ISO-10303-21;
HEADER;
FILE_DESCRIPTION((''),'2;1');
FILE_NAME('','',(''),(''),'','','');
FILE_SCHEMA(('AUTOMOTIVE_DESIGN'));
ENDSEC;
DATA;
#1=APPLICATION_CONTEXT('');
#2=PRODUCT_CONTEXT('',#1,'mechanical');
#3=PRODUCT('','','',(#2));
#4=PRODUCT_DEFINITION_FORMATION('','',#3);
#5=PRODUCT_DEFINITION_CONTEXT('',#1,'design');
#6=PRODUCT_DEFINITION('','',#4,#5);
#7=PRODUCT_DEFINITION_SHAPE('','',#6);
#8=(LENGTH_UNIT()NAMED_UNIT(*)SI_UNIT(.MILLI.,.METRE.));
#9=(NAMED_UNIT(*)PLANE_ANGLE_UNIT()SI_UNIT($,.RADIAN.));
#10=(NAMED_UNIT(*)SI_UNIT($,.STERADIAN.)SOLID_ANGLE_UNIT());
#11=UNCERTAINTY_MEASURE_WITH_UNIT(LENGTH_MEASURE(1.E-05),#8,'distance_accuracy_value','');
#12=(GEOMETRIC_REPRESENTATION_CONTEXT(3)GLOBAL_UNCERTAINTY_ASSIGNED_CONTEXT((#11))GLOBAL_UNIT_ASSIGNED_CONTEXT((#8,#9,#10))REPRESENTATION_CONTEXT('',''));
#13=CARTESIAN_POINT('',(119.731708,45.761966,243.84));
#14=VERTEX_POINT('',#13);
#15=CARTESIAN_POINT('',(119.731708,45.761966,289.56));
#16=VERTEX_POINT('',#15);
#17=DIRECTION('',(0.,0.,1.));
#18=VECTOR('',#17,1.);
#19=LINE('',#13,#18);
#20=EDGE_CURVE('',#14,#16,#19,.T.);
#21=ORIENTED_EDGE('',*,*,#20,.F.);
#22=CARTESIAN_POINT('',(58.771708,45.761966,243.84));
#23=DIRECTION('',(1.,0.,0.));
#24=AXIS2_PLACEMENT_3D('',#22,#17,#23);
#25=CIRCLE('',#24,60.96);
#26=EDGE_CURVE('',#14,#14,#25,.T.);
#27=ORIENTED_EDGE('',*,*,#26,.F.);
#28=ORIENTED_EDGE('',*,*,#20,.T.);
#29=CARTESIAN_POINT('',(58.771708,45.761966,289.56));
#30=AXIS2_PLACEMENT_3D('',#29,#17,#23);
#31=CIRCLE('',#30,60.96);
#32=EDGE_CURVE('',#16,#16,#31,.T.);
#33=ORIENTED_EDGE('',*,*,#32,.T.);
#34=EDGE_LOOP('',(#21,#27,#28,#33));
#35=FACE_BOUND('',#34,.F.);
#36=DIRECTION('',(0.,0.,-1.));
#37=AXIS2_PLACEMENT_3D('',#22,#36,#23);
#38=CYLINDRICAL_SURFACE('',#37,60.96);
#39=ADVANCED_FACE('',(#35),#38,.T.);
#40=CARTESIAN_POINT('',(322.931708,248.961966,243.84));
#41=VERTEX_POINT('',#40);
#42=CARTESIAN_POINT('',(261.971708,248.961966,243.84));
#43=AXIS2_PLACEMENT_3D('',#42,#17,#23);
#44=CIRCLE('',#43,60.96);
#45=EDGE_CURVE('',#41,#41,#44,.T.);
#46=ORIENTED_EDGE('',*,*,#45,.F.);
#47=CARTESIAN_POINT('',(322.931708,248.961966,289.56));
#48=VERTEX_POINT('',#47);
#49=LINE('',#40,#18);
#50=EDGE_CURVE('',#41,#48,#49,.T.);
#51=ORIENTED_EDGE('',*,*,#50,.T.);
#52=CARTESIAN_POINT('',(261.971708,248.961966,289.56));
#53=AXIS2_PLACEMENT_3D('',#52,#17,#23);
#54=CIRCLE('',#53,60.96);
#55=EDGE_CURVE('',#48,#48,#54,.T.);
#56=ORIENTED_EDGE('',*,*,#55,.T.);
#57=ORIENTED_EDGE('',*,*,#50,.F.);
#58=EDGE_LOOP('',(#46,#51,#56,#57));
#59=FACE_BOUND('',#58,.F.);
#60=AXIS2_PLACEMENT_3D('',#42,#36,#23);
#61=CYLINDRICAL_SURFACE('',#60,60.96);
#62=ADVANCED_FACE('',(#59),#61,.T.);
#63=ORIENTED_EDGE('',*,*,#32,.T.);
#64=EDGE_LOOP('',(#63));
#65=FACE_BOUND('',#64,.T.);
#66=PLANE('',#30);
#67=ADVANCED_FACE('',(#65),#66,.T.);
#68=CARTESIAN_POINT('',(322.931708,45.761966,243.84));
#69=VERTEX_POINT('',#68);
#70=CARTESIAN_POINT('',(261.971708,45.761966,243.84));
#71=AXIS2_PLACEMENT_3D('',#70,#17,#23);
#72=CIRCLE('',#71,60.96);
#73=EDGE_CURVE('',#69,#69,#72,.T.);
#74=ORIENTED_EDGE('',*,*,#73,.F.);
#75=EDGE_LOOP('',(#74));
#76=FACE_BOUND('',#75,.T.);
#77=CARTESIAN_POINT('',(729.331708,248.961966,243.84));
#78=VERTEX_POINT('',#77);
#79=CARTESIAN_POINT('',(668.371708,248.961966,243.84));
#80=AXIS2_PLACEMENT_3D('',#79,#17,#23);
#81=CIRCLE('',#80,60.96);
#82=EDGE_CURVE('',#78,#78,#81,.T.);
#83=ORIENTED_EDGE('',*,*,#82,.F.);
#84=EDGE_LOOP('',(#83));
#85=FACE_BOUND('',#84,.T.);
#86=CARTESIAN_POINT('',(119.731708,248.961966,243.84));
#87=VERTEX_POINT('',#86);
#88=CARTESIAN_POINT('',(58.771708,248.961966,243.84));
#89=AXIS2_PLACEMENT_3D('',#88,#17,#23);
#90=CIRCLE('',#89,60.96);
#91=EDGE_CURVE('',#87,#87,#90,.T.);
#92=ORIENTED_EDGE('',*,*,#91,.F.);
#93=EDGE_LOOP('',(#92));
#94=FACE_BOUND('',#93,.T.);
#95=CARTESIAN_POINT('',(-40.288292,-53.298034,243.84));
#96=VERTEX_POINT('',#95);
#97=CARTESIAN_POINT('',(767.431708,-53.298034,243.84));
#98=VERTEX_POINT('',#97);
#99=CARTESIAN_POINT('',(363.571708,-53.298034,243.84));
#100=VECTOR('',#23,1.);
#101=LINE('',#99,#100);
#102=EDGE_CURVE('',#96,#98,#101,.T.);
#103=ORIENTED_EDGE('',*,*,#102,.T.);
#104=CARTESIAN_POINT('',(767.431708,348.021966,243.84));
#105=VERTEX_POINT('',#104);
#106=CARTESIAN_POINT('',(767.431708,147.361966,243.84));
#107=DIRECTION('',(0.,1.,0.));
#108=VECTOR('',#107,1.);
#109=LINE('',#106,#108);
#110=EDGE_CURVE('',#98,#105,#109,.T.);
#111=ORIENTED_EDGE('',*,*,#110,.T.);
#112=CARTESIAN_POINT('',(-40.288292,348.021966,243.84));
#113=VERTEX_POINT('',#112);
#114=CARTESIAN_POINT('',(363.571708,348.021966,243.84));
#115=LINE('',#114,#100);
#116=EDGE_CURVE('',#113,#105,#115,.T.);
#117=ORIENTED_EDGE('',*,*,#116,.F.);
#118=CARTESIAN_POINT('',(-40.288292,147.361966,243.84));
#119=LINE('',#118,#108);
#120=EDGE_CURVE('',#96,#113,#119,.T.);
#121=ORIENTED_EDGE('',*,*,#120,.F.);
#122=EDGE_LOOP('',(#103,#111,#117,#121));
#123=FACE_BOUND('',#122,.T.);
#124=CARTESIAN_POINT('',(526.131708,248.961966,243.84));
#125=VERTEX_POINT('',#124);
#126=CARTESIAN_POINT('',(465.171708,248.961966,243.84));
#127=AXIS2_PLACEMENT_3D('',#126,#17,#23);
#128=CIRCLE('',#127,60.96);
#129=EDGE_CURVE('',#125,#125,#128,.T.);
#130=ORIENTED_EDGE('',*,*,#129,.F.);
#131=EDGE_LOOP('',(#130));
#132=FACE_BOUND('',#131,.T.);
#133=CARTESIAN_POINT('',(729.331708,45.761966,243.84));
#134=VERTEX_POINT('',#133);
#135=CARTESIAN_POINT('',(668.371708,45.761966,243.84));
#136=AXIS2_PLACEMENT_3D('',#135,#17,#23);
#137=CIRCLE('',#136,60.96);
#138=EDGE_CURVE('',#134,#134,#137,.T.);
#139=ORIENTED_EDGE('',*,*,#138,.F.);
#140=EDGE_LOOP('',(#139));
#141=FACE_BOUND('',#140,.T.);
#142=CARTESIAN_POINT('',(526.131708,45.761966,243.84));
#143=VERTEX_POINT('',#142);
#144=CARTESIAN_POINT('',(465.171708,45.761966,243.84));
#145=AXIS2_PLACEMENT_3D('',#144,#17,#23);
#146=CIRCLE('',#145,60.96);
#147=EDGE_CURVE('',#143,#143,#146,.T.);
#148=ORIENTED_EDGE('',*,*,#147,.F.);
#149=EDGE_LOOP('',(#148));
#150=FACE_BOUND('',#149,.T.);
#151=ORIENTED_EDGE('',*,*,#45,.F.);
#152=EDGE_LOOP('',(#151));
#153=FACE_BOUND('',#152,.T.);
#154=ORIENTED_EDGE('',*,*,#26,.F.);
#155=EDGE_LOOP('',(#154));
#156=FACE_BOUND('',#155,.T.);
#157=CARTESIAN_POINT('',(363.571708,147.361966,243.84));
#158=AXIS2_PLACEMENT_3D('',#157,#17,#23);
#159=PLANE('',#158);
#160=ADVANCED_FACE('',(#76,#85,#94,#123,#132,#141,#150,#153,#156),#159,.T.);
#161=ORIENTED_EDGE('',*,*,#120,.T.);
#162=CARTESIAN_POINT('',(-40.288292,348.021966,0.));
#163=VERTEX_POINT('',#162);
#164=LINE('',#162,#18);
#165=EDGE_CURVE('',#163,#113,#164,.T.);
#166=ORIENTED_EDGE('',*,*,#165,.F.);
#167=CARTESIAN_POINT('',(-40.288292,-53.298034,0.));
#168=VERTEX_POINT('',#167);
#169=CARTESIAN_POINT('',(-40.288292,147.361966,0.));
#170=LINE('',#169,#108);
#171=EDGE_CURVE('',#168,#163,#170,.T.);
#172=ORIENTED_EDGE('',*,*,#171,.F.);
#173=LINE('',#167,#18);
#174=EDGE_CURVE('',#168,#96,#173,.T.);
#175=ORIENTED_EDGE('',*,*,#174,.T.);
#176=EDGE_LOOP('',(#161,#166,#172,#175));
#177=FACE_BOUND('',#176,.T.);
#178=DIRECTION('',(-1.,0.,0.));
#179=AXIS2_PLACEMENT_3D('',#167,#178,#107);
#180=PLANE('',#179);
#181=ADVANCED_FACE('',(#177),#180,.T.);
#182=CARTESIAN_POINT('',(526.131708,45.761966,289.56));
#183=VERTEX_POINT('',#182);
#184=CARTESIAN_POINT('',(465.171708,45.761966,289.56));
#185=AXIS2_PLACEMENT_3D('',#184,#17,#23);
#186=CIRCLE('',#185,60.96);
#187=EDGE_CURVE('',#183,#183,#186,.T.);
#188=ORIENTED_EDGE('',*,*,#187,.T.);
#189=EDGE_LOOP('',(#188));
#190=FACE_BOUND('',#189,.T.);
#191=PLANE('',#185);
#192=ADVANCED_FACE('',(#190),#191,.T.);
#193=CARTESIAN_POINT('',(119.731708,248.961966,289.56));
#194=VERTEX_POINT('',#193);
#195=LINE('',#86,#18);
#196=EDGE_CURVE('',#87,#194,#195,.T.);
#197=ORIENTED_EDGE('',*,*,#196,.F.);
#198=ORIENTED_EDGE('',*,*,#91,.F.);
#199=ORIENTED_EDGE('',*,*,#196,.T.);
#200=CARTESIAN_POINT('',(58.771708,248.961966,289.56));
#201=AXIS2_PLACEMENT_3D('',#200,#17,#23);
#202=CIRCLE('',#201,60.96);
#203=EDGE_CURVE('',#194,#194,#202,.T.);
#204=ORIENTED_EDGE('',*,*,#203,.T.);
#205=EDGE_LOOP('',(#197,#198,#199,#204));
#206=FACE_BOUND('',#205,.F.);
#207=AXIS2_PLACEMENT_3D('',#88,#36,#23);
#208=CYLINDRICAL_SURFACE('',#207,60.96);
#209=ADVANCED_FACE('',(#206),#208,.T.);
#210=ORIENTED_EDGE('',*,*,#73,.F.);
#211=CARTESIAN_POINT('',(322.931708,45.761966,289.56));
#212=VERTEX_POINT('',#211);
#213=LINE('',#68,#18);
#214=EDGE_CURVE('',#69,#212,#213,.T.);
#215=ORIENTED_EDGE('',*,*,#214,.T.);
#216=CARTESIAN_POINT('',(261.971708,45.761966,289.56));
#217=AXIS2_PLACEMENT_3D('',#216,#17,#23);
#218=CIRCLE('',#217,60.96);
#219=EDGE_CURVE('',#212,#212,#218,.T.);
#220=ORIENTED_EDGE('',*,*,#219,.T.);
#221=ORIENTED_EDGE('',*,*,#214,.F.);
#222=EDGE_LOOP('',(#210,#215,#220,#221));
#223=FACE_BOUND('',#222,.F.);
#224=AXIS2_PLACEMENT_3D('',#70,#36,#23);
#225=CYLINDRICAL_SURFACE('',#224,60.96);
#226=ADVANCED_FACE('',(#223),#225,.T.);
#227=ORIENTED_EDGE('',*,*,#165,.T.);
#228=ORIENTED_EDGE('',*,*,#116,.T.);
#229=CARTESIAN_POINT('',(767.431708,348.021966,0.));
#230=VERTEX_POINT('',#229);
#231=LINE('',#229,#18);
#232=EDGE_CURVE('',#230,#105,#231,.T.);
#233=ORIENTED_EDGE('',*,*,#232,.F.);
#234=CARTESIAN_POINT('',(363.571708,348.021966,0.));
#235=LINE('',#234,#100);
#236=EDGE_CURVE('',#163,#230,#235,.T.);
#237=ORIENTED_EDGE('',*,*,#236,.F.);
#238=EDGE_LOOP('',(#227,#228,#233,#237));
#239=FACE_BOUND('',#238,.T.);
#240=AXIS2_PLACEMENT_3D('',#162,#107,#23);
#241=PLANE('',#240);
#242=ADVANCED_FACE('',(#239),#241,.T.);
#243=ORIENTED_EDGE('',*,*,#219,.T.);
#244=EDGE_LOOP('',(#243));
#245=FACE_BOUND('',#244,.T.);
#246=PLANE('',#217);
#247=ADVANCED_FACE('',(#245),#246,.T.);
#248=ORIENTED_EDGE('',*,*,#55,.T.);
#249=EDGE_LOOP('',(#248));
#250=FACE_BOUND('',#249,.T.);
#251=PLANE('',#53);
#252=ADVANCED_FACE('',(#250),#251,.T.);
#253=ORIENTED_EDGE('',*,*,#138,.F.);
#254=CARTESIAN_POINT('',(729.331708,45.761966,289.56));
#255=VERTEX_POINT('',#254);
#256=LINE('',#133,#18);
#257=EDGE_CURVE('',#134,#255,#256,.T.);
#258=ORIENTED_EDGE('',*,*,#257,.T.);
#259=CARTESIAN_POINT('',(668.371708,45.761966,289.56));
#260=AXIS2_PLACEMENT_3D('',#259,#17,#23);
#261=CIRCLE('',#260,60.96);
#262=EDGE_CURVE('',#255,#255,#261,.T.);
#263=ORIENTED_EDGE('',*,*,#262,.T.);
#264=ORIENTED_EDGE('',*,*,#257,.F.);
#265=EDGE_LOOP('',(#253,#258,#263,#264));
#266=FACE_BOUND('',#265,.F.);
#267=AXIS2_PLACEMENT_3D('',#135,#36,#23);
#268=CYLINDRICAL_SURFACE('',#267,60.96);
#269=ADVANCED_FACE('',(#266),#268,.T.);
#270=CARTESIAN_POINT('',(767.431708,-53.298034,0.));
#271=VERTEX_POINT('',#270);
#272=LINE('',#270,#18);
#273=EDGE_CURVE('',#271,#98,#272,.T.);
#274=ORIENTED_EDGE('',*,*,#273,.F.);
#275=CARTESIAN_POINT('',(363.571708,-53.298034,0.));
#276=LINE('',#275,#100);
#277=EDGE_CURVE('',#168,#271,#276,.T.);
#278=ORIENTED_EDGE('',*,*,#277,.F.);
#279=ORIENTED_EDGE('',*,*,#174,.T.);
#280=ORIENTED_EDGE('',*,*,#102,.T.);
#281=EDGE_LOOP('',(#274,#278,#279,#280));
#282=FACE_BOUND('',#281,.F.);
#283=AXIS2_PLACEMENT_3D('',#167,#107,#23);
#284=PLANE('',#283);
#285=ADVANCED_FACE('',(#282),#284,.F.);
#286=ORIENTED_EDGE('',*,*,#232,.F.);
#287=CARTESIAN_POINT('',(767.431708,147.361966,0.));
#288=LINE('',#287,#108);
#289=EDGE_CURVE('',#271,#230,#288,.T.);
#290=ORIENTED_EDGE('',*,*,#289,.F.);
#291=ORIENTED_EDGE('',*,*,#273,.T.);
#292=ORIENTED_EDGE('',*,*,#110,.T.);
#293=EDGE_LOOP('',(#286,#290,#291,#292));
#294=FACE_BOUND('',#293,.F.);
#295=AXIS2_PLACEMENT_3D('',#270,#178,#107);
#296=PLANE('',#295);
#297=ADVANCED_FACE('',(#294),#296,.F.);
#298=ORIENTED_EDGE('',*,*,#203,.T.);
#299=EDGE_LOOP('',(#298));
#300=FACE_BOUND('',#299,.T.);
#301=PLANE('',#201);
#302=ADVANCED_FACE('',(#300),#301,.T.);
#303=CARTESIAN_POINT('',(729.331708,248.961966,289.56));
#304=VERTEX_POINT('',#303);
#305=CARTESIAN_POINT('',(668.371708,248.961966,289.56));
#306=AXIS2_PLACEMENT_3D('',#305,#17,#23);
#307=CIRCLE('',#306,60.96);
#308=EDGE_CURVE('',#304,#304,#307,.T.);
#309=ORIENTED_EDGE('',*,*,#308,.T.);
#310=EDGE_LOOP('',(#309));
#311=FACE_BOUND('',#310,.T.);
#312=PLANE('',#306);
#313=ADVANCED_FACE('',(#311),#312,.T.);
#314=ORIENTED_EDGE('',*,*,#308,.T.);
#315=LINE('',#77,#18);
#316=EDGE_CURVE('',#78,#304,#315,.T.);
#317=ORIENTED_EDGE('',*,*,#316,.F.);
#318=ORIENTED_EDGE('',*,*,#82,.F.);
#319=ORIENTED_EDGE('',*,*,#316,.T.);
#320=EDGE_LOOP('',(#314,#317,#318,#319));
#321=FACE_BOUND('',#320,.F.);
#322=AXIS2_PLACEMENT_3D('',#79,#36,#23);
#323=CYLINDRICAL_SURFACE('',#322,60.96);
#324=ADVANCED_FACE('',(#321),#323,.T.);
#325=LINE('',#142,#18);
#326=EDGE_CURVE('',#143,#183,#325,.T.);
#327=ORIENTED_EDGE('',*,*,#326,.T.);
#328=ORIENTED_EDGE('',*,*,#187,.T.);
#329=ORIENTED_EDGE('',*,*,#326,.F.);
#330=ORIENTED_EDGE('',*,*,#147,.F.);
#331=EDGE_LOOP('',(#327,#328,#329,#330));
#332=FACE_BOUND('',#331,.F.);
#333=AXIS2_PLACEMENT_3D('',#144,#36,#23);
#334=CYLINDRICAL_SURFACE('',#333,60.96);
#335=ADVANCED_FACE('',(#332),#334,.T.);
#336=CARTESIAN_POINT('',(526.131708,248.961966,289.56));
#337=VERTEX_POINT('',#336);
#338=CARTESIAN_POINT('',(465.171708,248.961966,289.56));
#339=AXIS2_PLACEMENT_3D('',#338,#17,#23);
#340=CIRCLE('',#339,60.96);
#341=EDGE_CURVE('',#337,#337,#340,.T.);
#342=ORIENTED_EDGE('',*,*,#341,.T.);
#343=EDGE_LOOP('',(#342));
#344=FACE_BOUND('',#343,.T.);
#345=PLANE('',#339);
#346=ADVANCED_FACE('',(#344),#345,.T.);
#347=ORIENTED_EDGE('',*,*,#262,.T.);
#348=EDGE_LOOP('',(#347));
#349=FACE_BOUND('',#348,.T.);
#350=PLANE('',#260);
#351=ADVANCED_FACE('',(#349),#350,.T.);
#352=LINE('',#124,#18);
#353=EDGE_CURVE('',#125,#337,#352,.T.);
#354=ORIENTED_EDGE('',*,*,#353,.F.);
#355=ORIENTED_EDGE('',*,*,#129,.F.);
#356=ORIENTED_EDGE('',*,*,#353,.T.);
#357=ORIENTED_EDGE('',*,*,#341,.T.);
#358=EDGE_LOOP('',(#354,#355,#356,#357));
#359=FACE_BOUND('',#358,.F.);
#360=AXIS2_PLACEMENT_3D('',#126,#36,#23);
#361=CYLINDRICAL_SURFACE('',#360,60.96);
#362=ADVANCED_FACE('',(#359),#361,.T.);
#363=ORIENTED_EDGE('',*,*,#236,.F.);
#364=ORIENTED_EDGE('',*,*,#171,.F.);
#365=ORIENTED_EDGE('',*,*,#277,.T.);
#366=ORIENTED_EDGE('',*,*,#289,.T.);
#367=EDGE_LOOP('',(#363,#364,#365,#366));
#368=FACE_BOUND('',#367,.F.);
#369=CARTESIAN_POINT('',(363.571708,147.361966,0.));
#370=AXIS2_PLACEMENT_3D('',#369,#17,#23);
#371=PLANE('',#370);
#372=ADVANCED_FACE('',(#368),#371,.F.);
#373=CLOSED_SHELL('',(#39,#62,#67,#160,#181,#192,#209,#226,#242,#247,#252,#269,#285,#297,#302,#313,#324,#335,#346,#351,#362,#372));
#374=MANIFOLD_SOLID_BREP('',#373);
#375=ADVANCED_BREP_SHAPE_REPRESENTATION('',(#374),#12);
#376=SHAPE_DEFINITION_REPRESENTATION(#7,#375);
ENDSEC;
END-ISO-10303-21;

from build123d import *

# Parameters (mm, degrees)
F0_W     = 807.72
F0_H     = 401.32
F1_DEPTH = 243.84
F2_R     = 60.96
F3_DEPTH = 45.72


with BuildPart() as f1:
    # F0 (on Top) → F1 (new body)
    with BuildSketch(Plane.XY):
        with Locations((363.571708, 147.361966)):
            Rectangle(F0_W, F0_H)
    extrude(amount=F1_DEPTH)

    # F2 (on face) → F3 (join)
    with BuildSketch(Plane.XY.offset(243.84)):
        with Locations((58.771708, 45.761966)):
            Circle(F2_R)
        with Locations((58.771708, 248.961966)):
            Circle(F2_R)
        with Locations((261.971708, 45.761966)):
            Circle(F2_R)
        with Locations((261.971708, 248.961966)):
            Circle(F2_R)
        with Locations((465.171708, 45.761966)):
            Circle(F2_R)
        with Locations((465.171708, 248.961966)):
            Circle(F2_R)
        with Locations((668.371708, 45.761966)):
            Circle(F2_R)
        with Locations((668.371708, 248.961966)):
            Circle(F2_R)
    extrude(amount=F3_DEPTH)


solid = f1.part
